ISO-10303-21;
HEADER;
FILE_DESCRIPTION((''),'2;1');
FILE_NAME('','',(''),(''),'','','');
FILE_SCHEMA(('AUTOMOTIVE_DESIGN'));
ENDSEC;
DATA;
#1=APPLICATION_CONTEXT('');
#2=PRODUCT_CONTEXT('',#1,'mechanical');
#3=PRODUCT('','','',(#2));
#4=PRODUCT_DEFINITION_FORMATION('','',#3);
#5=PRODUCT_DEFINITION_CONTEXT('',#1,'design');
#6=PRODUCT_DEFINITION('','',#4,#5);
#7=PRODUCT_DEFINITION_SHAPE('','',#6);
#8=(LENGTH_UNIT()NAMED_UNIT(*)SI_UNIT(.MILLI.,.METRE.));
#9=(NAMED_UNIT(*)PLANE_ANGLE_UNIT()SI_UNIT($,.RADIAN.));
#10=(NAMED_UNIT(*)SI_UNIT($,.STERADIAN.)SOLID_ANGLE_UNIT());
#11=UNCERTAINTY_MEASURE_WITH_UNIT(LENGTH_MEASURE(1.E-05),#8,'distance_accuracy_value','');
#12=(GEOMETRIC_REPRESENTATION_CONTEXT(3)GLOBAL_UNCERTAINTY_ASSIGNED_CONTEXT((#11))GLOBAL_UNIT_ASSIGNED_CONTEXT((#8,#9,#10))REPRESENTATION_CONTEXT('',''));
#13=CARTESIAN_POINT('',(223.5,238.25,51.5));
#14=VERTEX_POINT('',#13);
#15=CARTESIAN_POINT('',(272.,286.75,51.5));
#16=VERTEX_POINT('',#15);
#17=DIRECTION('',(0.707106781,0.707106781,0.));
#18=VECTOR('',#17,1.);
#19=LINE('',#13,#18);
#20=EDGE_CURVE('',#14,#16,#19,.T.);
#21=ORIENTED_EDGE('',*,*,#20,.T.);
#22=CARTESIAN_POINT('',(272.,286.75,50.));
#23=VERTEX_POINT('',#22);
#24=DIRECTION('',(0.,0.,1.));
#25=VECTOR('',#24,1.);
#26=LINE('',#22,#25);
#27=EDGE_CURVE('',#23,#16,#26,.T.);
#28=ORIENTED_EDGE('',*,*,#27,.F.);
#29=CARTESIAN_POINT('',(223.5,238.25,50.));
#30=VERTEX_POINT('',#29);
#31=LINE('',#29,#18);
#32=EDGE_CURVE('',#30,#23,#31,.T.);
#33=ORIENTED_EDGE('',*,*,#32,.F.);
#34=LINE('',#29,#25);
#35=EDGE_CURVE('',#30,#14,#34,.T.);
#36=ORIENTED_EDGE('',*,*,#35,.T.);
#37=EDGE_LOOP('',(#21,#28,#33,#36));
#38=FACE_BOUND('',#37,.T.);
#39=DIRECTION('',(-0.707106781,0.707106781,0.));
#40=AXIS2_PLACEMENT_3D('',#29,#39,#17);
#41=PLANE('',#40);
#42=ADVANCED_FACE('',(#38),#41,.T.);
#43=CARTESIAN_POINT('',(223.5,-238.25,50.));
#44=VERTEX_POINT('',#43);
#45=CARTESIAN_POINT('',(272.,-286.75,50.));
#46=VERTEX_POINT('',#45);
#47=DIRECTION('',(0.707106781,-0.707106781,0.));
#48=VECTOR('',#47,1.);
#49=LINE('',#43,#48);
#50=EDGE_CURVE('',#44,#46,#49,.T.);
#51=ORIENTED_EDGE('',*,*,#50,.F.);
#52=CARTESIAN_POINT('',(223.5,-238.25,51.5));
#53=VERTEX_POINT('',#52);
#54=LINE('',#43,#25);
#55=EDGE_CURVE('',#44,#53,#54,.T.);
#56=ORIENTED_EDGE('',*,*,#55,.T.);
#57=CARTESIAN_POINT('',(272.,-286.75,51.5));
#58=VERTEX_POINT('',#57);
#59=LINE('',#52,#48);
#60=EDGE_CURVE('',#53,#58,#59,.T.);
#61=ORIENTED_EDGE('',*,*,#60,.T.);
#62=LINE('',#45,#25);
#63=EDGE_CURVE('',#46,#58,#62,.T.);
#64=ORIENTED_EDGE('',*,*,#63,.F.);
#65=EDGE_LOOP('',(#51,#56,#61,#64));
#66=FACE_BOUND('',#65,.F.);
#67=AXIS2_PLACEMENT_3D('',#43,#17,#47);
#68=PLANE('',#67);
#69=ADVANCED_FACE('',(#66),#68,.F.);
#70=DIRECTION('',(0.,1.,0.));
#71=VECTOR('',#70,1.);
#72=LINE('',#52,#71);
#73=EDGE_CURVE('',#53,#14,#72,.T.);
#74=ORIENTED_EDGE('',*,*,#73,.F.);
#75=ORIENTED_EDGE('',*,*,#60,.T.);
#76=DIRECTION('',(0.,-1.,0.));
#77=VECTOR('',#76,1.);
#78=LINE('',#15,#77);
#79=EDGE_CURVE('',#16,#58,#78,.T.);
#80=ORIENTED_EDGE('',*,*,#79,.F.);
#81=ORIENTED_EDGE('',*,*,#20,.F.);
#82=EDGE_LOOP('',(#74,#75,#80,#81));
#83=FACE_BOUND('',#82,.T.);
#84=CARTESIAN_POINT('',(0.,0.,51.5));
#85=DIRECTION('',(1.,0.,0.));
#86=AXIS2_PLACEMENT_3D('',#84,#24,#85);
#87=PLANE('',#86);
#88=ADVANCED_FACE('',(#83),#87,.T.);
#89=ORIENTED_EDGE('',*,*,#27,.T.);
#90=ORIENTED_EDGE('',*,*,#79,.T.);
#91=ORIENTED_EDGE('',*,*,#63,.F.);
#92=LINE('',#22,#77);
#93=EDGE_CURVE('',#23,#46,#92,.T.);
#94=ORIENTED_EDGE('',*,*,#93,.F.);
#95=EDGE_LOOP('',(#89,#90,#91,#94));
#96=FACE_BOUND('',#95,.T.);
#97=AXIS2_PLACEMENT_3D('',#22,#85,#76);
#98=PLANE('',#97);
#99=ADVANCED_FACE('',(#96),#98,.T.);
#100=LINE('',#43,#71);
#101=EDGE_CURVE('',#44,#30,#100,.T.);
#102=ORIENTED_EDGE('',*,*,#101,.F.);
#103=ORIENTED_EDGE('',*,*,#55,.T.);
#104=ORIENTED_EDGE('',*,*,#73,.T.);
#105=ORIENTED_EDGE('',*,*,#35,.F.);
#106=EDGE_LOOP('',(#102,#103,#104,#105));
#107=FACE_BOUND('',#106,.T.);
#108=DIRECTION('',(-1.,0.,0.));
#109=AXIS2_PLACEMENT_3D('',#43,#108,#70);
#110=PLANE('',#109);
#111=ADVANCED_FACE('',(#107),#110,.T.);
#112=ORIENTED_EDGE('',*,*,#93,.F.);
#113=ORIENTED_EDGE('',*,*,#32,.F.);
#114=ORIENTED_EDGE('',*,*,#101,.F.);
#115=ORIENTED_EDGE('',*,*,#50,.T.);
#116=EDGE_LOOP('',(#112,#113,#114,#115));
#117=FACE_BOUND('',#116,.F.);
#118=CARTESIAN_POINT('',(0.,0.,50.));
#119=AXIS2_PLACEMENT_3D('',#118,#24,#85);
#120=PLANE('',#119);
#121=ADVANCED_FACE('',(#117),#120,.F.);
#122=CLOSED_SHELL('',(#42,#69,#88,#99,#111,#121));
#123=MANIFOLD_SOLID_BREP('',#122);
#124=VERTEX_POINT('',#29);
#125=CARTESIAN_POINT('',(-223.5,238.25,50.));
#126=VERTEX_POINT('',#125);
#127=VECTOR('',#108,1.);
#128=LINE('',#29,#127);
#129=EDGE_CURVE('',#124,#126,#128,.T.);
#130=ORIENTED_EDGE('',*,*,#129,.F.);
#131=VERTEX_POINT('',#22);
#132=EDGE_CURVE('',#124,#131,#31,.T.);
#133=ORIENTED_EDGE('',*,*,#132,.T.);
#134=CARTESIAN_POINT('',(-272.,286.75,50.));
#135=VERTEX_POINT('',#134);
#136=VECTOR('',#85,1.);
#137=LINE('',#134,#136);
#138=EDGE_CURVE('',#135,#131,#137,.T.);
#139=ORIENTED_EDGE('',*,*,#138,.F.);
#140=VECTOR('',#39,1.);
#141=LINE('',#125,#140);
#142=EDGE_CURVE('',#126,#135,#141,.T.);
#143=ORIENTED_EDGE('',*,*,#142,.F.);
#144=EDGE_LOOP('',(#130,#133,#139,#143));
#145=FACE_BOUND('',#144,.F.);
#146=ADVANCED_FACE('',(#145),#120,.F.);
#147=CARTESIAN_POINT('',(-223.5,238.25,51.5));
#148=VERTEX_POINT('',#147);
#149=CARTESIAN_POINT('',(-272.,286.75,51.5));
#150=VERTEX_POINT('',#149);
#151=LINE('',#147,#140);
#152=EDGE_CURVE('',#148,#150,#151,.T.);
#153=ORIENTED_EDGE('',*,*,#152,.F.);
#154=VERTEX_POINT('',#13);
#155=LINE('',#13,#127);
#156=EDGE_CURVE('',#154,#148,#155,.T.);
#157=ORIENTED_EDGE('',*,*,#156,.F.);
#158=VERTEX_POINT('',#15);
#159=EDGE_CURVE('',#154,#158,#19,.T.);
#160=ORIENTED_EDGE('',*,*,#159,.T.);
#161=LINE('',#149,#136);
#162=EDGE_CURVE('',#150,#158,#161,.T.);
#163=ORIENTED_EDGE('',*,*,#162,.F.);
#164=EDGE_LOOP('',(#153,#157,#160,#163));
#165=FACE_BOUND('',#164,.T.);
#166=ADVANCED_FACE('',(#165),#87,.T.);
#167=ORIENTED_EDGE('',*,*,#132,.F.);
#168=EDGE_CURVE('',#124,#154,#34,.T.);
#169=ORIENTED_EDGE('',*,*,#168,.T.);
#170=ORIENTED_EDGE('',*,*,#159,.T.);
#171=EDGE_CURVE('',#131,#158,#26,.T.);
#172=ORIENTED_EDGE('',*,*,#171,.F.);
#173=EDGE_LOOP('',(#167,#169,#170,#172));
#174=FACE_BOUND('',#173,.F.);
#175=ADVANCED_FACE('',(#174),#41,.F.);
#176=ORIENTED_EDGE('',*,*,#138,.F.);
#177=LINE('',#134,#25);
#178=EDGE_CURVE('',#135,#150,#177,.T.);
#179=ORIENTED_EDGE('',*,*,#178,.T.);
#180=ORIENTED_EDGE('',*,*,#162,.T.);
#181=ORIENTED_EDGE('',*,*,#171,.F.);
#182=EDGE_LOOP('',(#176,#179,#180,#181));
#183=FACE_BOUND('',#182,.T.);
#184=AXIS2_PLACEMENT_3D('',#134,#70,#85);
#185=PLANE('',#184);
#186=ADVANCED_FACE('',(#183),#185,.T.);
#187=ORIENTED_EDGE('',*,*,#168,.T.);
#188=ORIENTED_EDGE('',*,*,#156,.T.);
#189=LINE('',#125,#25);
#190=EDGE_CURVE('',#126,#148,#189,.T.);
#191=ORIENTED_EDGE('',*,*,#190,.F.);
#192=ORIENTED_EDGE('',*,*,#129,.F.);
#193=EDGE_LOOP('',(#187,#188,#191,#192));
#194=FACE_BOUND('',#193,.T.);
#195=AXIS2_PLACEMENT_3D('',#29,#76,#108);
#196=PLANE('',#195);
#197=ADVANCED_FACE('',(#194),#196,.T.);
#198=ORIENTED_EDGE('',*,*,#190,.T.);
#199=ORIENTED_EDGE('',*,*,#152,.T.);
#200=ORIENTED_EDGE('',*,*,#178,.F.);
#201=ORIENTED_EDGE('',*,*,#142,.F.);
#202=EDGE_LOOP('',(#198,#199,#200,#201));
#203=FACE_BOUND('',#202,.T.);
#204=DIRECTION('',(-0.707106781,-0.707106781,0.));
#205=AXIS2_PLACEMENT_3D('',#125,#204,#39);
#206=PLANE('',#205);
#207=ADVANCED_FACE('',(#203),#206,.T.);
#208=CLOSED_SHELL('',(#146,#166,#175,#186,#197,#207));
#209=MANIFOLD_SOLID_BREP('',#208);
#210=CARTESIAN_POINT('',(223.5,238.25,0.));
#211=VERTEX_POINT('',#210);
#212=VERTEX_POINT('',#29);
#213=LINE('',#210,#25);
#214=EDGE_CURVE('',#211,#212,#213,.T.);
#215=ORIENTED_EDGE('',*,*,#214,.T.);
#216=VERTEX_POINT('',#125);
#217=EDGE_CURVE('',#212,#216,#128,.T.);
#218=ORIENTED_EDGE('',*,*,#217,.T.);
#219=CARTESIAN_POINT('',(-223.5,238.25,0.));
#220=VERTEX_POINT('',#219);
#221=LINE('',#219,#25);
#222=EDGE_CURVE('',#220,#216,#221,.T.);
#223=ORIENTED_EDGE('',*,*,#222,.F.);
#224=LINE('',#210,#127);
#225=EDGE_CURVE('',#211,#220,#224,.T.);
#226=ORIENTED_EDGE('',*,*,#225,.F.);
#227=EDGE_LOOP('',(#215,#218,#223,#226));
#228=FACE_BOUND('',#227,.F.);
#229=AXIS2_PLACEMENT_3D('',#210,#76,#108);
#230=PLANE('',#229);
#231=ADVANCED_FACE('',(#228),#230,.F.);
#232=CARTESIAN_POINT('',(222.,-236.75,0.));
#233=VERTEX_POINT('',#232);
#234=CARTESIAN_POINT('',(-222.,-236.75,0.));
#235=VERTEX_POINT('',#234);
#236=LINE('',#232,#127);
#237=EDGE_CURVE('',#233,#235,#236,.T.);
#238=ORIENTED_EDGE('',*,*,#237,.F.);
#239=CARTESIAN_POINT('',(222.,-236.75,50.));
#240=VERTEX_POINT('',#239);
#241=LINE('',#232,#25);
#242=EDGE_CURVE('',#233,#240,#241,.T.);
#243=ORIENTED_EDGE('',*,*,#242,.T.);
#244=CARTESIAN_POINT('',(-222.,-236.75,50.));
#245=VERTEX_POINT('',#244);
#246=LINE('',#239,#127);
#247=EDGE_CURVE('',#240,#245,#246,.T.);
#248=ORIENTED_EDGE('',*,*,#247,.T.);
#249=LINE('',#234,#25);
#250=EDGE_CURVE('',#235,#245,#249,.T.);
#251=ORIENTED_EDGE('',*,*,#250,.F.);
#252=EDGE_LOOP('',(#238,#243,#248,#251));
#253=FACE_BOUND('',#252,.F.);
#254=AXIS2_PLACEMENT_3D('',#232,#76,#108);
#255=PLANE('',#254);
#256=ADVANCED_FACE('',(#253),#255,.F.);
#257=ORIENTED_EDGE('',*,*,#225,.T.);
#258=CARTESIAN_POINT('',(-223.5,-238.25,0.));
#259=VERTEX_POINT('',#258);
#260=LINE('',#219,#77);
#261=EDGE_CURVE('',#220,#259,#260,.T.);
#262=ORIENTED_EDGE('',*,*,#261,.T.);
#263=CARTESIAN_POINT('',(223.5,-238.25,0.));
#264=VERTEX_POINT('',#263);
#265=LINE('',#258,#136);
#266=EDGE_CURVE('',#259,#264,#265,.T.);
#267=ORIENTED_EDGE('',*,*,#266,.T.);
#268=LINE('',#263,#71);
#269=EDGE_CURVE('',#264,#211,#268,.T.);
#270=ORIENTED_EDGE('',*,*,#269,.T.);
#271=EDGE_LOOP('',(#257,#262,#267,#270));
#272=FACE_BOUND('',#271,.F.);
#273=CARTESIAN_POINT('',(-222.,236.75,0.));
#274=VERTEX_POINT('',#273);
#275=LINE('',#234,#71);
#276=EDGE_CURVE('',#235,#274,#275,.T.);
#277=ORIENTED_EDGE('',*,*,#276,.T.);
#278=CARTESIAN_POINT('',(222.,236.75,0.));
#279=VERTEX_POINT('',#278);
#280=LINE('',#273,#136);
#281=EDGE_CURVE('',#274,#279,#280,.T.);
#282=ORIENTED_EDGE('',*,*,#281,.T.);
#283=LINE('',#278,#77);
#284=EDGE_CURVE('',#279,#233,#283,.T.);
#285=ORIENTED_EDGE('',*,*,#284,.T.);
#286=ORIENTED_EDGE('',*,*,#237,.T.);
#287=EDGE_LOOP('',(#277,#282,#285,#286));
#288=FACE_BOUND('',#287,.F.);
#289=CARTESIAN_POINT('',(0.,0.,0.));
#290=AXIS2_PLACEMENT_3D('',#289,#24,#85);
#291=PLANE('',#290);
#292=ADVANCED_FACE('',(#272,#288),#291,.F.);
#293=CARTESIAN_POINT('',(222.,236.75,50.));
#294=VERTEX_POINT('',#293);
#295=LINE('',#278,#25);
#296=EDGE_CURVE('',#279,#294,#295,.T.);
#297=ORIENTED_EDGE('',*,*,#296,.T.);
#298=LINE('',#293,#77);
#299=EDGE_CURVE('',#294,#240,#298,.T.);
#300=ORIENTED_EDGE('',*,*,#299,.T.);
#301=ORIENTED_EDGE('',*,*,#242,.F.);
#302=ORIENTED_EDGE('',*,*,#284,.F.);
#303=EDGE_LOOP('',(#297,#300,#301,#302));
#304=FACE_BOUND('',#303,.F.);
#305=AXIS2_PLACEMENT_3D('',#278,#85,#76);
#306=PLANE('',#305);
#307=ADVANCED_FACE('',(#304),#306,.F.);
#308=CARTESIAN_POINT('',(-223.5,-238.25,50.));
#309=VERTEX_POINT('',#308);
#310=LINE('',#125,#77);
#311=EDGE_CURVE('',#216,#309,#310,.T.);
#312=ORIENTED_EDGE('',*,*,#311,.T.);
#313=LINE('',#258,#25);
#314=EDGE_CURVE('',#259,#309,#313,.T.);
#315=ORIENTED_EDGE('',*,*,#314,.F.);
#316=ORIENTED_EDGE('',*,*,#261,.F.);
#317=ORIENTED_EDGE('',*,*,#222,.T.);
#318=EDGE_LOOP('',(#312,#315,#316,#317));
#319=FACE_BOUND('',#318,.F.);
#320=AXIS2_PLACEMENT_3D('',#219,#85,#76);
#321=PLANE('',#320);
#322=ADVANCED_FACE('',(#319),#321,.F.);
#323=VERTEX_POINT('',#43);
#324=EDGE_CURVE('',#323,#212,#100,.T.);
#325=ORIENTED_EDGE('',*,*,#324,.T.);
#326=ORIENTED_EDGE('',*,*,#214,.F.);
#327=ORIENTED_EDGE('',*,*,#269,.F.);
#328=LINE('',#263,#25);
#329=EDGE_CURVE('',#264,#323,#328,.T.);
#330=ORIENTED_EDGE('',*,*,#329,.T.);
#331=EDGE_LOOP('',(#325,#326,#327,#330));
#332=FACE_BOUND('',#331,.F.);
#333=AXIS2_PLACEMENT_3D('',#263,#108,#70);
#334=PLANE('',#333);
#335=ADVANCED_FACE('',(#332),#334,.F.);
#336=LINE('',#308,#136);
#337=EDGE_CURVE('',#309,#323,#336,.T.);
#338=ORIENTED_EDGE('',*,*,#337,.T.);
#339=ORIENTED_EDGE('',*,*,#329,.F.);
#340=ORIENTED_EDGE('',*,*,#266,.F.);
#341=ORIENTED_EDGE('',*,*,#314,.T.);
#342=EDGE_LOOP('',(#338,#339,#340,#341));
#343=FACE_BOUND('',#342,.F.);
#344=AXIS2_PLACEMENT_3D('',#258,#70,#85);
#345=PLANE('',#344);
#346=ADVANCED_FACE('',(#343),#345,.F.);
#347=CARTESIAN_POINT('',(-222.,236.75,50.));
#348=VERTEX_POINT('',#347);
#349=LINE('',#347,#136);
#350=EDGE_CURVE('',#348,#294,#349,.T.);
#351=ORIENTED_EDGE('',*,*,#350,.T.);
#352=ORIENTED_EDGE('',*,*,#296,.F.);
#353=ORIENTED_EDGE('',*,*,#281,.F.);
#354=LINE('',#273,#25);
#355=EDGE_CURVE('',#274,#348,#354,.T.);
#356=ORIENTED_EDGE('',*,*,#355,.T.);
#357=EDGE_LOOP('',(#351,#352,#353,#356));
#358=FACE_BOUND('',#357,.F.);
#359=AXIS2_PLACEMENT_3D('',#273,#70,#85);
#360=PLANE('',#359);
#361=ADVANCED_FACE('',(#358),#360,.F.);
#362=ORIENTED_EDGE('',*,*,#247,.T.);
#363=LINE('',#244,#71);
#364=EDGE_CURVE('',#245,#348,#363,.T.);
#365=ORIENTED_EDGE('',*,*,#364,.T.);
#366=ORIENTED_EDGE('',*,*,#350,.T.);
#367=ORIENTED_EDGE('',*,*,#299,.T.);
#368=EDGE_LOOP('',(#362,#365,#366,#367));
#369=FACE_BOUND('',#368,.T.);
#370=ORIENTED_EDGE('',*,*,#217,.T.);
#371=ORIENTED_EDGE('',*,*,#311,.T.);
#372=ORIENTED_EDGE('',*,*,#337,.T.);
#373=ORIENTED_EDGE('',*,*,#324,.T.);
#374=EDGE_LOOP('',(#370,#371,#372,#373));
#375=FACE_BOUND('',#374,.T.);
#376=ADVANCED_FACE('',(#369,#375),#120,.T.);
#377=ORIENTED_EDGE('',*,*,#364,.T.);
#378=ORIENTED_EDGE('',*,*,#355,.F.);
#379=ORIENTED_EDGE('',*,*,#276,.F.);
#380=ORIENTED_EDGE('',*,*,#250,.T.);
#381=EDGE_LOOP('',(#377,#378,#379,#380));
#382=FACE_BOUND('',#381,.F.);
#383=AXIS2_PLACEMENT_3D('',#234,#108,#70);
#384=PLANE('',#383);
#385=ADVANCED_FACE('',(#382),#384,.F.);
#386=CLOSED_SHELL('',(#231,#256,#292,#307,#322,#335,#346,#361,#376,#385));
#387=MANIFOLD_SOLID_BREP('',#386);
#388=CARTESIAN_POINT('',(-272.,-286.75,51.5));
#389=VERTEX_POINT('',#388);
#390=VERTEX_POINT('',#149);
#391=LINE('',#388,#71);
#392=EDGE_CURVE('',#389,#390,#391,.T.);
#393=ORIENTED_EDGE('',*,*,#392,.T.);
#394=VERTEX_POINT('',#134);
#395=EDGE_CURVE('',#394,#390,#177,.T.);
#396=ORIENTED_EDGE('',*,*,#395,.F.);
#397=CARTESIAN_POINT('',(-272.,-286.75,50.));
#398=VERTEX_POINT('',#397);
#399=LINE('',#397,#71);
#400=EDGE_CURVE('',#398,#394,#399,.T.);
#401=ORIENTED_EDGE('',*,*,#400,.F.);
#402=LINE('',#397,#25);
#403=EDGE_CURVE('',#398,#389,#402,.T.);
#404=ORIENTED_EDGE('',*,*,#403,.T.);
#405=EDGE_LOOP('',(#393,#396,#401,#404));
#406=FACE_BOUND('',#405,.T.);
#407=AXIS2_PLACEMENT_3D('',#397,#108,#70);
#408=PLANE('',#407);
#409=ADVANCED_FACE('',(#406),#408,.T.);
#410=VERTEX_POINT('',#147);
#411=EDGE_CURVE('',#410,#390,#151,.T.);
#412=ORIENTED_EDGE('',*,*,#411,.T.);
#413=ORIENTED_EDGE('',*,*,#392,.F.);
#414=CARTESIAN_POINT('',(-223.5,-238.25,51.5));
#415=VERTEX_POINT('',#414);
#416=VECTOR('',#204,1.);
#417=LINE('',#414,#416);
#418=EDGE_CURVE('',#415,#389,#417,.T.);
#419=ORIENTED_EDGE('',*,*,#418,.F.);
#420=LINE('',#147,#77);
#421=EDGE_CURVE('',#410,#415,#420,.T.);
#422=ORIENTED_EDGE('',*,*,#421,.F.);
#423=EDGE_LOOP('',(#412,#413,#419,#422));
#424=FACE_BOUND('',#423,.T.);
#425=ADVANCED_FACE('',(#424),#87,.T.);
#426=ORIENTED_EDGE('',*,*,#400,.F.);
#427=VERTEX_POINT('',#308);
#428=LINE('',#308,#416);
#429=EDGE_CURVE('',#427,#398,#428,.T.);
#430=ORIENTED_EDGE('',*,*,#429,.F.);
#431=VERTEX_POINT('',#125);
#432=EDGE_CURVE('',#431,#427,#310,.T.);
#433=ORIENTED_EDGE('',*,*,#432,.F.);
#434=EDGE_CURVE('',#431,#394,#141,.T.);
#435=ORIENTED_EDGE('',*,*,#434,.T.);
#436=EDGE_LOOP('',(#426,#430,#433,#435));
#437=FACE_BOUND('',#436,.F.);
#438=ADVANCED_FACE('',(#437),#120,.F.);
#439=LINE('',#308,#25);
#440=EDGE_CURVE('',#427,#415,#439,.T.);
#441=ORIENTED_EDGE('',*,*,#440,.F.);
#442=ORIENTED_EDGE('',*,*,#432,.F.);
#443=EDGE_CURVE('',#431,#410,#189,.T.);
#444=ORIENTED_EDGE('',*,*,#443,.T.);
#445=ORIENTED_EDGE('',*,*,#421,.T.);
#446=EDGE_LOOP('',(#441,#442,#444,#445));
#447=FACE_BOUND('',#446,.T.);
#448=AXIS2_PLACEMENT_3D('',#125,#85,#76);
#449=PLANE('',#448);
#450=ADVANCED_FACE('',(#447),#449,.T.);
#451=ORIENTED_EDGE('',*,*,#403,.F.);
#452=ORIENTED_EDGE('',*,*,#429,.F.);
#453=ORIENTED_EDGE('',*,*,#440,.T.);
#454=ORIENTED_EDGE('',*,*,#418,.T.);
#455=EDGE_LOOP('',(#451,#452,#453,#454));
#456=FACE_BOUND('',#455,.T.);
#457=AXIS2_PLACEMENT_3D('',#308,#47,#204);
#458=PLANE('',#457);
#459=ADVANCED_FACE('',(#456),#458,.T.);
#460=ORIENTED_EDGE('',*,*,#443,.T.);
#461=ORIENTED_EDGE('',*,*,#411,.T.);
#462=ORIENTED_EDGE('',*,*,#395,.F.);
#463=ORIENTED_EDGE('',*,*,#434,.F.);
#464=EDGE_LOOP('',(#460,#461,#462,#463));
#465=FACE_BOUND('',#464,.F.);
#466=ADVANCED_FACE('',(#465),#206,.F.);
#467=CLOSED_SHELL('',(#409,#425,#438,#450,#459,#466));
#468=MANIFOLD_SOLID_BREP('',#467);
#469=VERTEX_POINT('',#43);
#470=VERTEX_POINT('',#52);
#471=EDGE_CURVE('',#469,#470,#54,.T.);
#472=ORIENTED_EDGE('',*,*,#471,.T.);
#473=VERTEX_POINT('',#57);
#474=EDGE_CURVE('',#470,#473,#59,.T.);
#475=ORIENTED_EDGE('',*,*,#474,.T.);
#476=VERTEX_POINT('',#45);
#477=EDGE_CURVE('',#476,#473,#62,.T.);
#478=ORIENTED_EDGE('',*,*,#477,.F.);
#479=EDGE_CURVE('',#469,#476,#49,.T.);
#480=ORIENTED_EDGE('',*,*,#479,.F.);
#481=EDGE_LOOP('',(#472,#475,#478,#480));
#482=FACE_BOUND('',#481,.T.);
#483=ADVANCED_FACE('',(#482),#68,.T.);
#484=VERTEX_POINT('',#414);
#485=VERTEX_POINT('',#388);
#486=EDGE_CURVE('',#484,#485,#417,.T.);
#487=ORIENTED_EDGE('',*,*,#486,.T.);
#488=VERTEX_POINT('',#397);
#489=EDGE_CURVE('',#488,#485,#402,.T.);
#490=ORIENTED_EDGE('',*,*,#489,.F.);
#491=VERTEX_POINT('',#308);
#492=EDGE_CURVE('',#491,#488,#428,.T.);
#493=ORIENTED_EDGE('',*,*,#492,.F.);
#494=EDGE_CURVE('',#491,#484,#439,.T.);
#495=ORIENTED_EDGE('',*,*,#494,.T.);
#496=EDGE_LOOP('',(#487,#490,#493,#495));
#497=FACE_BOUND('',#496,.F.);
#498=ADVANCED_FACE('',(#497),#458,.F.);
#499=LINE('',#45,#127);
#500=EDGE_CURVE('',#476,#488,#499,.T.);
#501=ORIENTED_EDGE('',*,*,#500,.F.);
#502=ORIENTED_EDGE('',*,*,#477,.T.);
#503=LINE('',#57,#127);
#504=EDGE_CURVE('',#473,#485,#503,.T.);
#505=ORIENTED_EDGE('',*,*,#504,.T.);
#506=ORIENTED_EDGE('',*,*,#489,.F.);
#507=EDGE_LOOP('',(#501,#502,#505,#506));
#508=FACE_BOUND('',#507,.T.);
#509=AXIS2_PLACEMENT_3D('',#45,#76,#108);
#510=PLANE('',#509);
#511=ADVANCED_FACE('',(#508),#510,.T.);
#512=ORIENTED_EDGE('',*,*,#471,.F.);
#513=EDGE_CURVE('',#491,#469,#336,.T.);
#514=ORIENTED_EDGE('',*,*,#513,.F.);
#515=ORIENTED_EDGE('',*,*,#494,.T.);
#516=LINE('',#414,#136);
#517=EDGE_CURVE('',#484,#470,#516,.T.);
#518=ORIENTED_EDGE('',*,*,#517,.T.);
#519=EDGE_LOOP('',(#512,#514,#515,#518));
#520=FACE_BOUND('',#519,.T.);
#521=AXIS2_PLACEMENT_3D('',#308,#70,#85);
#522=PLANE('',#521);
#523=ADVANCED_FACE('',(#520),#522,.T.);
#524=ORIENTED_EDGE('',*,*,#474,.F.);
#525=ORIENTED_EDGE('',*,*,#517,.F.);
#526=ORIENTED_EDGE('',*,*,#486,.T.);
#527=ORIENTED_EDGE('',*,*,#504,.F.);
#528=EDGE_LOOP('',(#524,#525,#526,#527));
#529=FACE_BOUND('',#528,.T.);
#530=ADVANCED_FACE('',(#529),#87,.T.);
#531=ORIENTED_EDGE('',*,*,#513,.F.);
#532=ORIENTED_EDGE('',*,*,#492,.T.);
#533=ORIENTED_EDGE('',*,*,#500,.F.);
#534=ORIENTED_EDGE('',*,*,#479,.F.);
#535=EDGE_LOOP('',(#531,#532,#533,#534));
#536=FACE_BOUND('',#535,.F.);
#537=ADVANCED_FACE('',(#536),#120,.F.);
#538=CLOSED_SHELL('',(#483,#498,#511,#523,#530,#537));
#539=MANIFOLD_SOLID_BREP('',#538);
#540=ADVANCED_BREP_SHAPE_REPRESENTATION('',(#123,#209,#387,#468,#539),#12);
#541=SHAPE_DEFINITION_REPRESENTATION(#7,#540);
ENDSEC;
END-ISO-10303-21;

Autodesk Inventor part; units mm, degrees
ref_plane "YZ Plane" through (0, 0, 0) normal (1, 0, 0) x (0, 1, 0)
ref_plane "XZ Plane" through (0, 0, 0) normal (0, 1, 0) x (-1, 0, 0)
ref_plane "XY Plane" through (0, 0, 0) normal (0, 0, 1) x (1, 0, 0)
sketch "Sketch1" plane through (0, 0, 0) normal (0, 0, 1) x (1, 0, 0)
  line L0 (222, -236.75) -> (-222, -236.75)
  line L1 (-222, -236.75) -> (-222, 236.75)
  line L2 (-222, 236.75) -> (222, 236.75)
  line L3 (222, 236.75) -> (222, -236.75)
  line L4 (222, -236.75) -> (-222, 236.75) construction
  line L5 (-222, -236.75) -> (222, 236.75) construction
  line L6 (223.5, 238.25) -> (-223.5, 238.25)
  line L7 (-223.5, 238.25) -> (-223.5, -238.25)
  line L8 (-223.5, -238.25) -> (223.5, -238.25)
  line L9 (223.5, -238.25) -> (223.5, 238.25)
  point P0 (0, 0)
  dimension "d0" = 444
  dimension "d1" = 473.5
  dimension "d2" = 1.5
extrude "Extrusion1" add sketch "Sketch1" along normal blind 50
sketch "Sketch2" plane through (0, 0, 50) normal (0, 0, 1) x (1, 0, 0)
  line L0 (223.5, 238.25) -> (-223.5, 238.25) projected
  line L1 (-223.5, 238.25) -> (-223.5, -238.25) projected
  line L2 (223.5, -238.25) -> (223.5, 238.25) projected
  line L3 (-223.5, -238.25) -> (223.5, -238.25) projected
  line L4 (272, -286.75) -> (-272, -286.75)
  line L5 (-272, -286.75) -> (-272, 286.75)
  line L6 (-272, 286.75) -> (272, 286.75)
  line L7 (272, 286.75) -> (272, -286.75)
  line L8 (272, -286.75) -> (-272, 286.75) construction
  line L9 (-272, -286.75) -> (272, 286.75) construction
  line L10 (-223.5, 238.25) -> (-272, 286.75)
  line L11 (-223.5, -238.25) -> (-272, -286.75)
  line L12 (223.5, -238.25) -> (272, -286.75)
  line L13 (223.5, 238.25) -> (272, 286.75)
  point P0 (0, 0)
  dimension "d5" = 544
  dimension "d6" = 573.5
extrude "Extrusion2" add sketch "Sketch2" along normal blind 1.5 separate body contours L0 L10 L6 L13
extrude "Extrusion3" add sketch "Sketch2" along normal blind 1.5 separate body contours L13 L7 L12 L2
extrude "Extrusion4" add sketch "Sketch2" along normal blind 1.5 separate body contours L1 L11 L5 L10
extrude "Extrusion5" add sketch "Sketch2" along normal blind 1.5 separate body contours L12 L4 L11 L3
sketch "Sketch3" plane through (0, 0, 0) normal (0, 0, -1) x (-1, 0, 0)
  line L0 (-223.5, 238.25) -> (223.5, 238.25) projected
  line L1 (-223.5, -238.25) -> (-223.5, 238.25) projected
  line L2 (223.5, 238.25) -> (223.5, -238.25) projected
  line L3 (223.5, -238.25) -> (-223.5, -238.25) projected
  point P0 (0, 0)
properties part number "Test Section Ver2 Frame"
